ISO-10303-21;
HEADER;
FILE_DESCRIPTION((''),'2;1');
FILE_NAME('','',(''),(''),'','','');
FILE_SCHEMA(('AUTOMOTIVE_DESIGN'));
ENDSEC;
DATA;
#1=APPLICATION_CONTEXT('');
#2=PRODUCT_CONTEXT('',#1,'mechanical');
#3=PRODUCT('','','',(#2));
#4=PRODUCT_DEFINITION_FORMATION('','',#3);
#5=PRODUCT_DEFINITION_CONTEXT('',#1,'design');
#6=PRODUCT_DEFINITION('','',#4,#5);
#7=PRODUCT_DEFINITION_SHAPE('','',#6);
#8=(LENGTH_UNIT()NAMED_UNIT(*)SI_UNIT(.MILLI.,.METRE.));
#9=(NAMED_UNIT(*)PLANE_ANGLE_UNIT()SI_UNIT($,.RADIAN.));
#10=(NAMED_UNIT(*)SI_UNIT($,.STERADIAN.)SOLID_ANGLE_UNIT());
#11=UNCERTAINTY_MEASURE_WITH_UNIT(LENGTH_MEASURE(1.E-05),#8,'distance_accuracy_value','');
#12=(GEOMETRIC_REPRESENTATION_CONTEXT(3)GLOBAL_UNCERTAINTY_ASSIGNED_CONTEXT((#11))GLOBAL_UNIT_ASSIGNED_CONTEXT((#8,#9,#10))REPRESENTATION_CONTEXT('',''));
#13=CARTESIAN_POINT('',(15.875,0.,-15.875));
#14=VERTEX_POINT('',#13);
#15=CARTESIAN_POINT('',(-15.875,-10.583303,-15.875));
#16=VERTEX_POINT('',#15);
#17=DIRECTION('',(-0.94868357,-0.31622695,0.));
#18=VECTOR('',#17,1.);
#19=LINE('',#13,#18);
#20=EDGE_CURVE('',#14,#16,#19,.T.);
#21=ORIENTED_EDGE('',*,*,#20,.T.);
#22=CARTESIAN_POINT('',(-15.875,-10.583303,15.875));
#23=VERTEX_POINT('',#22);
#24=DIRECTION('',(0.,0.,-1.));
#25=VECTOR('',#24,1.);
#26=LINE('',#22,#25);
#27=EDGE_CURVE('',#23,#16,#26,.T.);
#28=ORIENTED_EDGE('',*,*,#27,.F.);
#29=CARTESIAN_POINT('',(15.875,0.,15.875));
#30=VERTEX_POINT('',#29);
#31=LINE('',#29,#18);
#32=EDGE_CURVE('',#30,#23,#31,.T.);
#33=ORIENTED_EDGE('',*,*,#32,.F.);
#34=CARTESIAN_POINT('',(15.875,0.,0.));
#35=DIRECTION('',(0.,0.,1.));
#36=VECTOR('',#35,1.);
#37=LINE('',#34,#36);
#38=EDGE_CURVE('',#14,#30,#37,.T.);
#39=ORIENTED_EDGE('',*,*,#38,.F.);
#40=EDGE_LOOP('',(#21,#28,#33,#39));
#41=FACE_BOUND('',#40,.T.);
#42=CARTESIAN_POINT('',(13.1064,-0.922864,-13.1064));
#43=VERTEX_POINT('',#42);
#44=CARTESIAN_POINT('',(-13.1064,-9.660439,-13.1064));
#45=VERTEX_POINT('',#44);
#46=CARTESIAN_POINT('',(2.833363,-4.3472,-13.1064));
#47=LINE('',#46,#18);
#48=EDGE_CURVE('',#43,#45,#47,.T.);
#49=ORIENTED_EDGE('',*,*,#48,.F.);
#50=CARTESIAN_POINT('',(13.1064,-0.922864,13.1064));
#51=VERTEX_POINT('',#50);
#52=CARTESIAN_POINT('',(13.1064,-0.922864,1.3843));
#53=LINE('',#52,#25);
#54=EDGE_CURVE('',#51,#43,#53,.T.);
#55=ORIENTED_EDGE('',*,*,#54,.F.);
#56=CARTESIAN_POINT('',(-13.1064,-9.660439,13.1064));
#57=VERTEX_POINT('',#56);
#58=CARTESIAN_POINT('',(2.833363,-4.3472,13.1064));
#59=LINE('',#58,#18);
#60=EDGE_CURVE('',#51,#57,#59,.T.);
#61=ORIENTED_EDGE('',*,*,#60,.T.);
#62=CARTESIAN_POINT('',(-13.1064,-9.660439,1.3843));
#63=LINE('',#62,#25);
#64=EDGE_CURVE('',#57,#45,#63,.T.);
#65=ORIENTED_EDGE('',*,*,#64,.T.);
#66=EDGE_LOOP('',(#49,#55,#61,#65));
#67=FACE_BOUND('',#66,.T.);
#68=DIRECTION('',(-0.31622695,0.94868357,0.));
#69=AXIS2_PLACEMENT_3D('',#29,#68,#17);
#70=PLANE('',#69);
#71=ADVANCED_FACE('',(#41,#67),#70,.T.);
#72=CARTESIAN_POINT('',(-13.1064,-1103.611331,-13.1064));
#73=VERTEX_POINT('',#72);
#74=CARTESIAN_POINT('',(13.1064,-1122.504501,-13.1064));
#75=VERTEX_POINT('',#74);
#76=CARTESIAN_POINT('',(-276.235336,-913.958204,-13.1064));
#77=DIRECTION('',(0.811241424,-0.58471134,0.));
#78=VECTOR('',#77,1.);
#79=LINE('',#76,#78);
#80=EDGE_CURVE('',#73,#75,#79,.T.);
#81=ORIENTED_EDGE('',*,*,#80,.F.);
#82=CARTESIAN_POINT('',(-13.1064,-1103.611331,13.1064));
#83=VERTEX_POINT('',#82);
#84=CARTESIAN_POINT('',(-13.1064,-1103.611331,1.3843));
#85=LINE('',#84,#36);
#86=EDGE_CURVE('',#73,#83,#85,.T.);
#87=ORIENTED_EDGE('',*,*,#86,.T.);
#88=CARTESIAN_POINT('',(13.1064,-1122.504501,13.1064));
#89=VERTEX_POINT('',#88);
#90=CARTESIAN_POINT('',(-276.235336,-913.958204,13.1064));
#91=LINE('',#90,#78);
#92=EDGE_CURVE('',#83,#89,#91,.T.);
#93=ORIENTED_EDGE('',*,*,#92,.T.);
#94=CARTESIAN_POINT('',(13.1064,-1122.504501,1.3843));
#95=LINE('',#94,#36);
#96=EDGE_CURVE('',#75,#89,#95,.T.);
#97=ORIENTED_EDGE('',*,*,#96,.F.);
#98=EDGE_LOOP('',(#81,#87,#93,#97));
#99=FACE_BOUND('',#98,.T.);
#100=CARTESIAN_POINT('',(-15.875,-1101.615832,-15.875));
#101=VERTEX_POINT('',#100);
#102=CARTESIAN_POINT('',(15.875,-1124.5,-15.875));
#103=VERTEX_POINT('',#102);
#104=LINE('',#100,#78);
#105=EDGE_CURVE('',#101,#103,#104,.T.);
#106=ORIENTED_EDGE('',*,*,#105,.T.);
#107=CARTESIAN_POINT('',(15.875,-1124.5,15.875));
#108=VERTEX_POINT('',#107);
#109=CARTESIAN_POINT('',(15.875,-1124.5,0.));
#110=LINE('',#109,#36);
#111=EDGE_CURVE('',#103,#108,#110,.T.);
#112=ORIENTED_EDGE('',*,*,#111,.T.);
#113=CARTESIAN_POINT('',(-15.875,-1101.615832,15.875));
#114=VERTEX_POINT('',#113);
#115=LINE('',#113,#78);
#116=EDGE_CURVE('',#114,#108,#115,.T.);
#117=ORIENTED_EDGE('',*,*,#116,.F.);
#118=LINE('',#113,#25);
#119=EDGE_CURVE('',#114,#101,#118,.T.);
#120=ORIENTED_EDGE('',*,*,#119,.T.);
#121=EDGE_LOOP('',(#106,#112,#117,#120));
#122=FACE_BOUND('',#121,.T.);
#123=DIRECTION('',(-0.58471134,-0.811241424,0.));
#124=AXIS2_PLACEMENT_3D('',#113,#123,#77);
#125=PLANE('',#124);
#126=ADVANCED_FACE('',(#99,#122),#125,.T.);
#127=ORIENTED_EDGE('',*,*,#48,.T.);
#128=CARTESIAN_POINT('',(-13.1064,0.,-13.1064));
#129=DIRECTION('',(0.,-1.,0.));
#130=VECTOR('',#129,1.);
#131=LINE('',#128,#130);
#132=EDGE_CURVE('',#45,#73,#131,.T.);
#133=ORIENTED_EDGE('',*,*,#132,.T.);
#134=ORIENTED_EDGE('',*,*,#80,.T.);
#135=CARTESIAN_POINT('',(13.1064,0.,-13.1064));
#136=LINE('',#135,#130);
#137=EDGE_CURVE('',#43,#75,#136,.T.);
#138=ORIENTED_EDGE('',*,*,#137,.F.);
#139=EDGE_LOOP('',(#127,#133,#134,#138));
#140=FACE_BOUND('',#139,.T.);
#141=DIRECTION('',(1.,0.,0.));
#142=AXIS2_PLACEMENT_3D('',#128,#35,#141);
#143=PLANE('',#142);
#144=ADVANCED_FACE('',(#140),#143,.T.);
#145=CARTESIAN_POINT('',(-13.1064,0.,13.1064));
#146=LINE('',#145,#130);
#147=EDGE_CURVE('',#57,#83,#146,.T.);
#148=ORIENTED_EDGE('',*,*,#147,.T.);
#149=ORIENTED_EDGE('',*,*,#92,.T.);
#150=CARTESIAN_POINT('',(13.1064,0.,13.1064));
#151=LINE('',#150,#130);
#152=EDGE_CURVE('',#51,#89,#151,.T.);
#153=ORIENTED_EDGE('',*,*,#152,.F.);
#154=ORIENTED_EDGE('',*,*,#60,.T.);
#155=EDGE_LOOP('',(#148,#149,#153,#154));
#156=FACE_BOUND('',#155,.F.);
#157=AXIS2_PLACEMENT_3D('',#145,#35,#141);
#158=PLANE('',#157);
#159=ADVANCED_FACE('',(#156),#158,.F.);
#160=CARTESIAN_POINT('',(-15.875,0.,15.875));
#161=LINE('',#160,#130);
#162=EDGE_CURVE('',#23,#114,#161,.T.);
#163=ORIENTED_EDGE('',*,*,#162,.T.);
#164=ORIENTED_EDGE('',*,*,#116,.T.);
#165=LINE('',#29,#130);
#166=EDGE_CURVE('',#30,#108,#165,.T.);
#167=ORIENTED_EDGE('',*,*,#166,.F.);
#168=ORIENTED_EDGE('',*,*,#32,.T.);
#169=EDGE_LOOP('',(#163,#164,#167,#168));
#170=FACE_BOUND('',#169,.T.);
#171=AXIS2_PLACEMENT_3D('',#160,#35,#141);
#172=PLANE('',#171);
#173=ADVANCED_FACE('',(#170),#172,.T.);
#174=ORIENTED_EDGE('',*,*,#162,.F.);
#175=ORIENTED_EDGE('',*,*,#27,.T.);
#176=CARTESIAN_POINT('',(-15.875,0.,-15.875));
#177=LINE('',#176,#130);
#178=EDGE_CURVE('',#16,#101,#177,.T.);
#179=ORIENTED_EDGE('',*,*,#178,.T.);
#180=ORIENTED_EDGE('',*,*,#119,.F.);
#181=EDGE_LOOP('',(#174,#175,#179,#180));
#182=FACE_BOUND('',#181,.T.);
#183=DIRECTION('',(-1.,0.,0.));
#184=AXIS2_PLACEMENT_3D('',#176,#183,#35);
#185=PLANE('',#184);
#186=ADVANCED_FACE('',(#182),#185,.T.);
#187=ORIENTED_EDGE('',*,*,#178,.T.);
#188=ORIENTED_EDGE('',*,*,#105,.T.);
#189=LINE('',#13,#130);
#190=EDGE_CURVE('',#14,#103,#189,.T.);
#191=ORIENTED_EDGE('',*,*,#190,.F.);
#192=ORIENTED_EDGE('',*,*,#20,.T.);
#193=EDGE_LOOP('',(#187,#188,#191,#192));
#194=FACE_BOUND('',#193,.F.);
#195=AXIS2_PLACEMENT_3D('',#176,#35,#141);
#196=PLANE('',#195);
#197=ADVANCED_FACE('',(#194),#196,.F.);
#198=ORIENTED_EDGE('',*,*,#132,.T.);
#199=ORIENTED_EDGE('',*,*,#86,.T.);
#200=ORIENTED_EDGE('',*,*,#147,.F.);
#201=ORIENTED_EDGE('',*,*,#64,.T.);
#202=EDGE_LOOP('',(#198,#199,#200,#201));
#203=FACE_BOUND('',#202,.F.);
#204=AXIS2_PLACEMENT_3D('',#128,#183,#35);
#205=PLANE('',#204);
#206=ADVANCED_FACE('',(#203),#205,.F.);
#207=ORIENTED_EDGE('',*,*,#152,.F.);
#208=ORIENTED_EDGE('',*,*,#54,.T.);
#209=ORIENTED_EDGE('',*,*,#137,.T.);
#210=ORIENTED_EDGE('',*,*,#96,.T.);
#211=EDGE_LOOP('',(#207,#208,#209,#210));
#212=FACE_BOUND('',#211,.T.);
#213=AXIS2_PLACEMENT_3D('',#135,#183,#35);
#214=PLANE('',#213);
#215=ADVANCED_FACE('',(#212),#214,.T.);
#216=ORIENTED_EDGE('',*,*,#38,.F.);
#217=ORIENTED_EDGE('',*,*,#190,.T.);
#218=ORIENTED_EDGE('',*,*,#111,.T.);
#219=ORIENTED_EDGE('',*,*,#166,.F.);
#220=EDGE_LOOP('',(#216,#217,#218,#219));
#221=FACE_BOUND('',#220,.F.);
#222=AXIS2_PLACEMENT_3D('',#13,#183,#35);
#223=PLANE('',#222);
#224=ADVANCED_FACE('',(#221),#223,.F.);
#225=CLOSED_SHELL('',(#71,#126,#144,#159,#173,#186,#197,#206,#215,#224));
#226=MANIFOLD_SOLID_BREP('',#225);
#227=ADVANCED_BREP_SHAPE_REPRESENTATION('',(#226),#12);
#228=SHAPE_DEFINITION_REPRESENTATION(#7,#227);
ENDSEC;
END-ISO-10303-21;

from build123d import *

# Parameters (mm, degrees)
SKETCH_W        = 31.75
SKETCH_H        = 31.75
SKETCH_W_2      = 26.2128
SKETCH_H_2      = 26.2128
PAD_DEPTH       = 1124.5
POCKET_DEPTH    = 31.75
POCKET001_DEPTH = 31.75


with BuildPart() as part:
    # Sketch → Pad (new body)
    with BuildSketch(Plane.XZ):
        Rectangle(SKETCH_W, SKETCH_H)
        Rectangle(SKETCH_W_2, SKETCH_H_2, mode=Mode.SUBTRACT)
    extrude(amount=PAD_DEPTH)

    # Sketch001 → Pocket (cut)
    with BuildSketch(Plane(origin=(0, 0, 15.875), x_dir=(-1, 0, 0), z_dir=(0, 0, 1))):
        Polygon((15.875, 0), (-15.875, 0), (15.875, 10.583303), align=None)
    extrude(amount=-POCKET_DEPTH, mode=Mode.SUBTRACT)

    # Sketch002 → Pocket001 (cut)
    with BuildSketch(Plane(origin=(0, 0, 15.875), x_dir=(-1, 0, 0), z_dir=(0, 0, 1))):
        Polygon((-15.875, 1124.5), (15.875, 1124.5), (15.875, 1101.615832), align=None)
    extrude(amount=-POCKET001_DEPTH, mode=Mode.SUBTRACT)


solid = part.part
